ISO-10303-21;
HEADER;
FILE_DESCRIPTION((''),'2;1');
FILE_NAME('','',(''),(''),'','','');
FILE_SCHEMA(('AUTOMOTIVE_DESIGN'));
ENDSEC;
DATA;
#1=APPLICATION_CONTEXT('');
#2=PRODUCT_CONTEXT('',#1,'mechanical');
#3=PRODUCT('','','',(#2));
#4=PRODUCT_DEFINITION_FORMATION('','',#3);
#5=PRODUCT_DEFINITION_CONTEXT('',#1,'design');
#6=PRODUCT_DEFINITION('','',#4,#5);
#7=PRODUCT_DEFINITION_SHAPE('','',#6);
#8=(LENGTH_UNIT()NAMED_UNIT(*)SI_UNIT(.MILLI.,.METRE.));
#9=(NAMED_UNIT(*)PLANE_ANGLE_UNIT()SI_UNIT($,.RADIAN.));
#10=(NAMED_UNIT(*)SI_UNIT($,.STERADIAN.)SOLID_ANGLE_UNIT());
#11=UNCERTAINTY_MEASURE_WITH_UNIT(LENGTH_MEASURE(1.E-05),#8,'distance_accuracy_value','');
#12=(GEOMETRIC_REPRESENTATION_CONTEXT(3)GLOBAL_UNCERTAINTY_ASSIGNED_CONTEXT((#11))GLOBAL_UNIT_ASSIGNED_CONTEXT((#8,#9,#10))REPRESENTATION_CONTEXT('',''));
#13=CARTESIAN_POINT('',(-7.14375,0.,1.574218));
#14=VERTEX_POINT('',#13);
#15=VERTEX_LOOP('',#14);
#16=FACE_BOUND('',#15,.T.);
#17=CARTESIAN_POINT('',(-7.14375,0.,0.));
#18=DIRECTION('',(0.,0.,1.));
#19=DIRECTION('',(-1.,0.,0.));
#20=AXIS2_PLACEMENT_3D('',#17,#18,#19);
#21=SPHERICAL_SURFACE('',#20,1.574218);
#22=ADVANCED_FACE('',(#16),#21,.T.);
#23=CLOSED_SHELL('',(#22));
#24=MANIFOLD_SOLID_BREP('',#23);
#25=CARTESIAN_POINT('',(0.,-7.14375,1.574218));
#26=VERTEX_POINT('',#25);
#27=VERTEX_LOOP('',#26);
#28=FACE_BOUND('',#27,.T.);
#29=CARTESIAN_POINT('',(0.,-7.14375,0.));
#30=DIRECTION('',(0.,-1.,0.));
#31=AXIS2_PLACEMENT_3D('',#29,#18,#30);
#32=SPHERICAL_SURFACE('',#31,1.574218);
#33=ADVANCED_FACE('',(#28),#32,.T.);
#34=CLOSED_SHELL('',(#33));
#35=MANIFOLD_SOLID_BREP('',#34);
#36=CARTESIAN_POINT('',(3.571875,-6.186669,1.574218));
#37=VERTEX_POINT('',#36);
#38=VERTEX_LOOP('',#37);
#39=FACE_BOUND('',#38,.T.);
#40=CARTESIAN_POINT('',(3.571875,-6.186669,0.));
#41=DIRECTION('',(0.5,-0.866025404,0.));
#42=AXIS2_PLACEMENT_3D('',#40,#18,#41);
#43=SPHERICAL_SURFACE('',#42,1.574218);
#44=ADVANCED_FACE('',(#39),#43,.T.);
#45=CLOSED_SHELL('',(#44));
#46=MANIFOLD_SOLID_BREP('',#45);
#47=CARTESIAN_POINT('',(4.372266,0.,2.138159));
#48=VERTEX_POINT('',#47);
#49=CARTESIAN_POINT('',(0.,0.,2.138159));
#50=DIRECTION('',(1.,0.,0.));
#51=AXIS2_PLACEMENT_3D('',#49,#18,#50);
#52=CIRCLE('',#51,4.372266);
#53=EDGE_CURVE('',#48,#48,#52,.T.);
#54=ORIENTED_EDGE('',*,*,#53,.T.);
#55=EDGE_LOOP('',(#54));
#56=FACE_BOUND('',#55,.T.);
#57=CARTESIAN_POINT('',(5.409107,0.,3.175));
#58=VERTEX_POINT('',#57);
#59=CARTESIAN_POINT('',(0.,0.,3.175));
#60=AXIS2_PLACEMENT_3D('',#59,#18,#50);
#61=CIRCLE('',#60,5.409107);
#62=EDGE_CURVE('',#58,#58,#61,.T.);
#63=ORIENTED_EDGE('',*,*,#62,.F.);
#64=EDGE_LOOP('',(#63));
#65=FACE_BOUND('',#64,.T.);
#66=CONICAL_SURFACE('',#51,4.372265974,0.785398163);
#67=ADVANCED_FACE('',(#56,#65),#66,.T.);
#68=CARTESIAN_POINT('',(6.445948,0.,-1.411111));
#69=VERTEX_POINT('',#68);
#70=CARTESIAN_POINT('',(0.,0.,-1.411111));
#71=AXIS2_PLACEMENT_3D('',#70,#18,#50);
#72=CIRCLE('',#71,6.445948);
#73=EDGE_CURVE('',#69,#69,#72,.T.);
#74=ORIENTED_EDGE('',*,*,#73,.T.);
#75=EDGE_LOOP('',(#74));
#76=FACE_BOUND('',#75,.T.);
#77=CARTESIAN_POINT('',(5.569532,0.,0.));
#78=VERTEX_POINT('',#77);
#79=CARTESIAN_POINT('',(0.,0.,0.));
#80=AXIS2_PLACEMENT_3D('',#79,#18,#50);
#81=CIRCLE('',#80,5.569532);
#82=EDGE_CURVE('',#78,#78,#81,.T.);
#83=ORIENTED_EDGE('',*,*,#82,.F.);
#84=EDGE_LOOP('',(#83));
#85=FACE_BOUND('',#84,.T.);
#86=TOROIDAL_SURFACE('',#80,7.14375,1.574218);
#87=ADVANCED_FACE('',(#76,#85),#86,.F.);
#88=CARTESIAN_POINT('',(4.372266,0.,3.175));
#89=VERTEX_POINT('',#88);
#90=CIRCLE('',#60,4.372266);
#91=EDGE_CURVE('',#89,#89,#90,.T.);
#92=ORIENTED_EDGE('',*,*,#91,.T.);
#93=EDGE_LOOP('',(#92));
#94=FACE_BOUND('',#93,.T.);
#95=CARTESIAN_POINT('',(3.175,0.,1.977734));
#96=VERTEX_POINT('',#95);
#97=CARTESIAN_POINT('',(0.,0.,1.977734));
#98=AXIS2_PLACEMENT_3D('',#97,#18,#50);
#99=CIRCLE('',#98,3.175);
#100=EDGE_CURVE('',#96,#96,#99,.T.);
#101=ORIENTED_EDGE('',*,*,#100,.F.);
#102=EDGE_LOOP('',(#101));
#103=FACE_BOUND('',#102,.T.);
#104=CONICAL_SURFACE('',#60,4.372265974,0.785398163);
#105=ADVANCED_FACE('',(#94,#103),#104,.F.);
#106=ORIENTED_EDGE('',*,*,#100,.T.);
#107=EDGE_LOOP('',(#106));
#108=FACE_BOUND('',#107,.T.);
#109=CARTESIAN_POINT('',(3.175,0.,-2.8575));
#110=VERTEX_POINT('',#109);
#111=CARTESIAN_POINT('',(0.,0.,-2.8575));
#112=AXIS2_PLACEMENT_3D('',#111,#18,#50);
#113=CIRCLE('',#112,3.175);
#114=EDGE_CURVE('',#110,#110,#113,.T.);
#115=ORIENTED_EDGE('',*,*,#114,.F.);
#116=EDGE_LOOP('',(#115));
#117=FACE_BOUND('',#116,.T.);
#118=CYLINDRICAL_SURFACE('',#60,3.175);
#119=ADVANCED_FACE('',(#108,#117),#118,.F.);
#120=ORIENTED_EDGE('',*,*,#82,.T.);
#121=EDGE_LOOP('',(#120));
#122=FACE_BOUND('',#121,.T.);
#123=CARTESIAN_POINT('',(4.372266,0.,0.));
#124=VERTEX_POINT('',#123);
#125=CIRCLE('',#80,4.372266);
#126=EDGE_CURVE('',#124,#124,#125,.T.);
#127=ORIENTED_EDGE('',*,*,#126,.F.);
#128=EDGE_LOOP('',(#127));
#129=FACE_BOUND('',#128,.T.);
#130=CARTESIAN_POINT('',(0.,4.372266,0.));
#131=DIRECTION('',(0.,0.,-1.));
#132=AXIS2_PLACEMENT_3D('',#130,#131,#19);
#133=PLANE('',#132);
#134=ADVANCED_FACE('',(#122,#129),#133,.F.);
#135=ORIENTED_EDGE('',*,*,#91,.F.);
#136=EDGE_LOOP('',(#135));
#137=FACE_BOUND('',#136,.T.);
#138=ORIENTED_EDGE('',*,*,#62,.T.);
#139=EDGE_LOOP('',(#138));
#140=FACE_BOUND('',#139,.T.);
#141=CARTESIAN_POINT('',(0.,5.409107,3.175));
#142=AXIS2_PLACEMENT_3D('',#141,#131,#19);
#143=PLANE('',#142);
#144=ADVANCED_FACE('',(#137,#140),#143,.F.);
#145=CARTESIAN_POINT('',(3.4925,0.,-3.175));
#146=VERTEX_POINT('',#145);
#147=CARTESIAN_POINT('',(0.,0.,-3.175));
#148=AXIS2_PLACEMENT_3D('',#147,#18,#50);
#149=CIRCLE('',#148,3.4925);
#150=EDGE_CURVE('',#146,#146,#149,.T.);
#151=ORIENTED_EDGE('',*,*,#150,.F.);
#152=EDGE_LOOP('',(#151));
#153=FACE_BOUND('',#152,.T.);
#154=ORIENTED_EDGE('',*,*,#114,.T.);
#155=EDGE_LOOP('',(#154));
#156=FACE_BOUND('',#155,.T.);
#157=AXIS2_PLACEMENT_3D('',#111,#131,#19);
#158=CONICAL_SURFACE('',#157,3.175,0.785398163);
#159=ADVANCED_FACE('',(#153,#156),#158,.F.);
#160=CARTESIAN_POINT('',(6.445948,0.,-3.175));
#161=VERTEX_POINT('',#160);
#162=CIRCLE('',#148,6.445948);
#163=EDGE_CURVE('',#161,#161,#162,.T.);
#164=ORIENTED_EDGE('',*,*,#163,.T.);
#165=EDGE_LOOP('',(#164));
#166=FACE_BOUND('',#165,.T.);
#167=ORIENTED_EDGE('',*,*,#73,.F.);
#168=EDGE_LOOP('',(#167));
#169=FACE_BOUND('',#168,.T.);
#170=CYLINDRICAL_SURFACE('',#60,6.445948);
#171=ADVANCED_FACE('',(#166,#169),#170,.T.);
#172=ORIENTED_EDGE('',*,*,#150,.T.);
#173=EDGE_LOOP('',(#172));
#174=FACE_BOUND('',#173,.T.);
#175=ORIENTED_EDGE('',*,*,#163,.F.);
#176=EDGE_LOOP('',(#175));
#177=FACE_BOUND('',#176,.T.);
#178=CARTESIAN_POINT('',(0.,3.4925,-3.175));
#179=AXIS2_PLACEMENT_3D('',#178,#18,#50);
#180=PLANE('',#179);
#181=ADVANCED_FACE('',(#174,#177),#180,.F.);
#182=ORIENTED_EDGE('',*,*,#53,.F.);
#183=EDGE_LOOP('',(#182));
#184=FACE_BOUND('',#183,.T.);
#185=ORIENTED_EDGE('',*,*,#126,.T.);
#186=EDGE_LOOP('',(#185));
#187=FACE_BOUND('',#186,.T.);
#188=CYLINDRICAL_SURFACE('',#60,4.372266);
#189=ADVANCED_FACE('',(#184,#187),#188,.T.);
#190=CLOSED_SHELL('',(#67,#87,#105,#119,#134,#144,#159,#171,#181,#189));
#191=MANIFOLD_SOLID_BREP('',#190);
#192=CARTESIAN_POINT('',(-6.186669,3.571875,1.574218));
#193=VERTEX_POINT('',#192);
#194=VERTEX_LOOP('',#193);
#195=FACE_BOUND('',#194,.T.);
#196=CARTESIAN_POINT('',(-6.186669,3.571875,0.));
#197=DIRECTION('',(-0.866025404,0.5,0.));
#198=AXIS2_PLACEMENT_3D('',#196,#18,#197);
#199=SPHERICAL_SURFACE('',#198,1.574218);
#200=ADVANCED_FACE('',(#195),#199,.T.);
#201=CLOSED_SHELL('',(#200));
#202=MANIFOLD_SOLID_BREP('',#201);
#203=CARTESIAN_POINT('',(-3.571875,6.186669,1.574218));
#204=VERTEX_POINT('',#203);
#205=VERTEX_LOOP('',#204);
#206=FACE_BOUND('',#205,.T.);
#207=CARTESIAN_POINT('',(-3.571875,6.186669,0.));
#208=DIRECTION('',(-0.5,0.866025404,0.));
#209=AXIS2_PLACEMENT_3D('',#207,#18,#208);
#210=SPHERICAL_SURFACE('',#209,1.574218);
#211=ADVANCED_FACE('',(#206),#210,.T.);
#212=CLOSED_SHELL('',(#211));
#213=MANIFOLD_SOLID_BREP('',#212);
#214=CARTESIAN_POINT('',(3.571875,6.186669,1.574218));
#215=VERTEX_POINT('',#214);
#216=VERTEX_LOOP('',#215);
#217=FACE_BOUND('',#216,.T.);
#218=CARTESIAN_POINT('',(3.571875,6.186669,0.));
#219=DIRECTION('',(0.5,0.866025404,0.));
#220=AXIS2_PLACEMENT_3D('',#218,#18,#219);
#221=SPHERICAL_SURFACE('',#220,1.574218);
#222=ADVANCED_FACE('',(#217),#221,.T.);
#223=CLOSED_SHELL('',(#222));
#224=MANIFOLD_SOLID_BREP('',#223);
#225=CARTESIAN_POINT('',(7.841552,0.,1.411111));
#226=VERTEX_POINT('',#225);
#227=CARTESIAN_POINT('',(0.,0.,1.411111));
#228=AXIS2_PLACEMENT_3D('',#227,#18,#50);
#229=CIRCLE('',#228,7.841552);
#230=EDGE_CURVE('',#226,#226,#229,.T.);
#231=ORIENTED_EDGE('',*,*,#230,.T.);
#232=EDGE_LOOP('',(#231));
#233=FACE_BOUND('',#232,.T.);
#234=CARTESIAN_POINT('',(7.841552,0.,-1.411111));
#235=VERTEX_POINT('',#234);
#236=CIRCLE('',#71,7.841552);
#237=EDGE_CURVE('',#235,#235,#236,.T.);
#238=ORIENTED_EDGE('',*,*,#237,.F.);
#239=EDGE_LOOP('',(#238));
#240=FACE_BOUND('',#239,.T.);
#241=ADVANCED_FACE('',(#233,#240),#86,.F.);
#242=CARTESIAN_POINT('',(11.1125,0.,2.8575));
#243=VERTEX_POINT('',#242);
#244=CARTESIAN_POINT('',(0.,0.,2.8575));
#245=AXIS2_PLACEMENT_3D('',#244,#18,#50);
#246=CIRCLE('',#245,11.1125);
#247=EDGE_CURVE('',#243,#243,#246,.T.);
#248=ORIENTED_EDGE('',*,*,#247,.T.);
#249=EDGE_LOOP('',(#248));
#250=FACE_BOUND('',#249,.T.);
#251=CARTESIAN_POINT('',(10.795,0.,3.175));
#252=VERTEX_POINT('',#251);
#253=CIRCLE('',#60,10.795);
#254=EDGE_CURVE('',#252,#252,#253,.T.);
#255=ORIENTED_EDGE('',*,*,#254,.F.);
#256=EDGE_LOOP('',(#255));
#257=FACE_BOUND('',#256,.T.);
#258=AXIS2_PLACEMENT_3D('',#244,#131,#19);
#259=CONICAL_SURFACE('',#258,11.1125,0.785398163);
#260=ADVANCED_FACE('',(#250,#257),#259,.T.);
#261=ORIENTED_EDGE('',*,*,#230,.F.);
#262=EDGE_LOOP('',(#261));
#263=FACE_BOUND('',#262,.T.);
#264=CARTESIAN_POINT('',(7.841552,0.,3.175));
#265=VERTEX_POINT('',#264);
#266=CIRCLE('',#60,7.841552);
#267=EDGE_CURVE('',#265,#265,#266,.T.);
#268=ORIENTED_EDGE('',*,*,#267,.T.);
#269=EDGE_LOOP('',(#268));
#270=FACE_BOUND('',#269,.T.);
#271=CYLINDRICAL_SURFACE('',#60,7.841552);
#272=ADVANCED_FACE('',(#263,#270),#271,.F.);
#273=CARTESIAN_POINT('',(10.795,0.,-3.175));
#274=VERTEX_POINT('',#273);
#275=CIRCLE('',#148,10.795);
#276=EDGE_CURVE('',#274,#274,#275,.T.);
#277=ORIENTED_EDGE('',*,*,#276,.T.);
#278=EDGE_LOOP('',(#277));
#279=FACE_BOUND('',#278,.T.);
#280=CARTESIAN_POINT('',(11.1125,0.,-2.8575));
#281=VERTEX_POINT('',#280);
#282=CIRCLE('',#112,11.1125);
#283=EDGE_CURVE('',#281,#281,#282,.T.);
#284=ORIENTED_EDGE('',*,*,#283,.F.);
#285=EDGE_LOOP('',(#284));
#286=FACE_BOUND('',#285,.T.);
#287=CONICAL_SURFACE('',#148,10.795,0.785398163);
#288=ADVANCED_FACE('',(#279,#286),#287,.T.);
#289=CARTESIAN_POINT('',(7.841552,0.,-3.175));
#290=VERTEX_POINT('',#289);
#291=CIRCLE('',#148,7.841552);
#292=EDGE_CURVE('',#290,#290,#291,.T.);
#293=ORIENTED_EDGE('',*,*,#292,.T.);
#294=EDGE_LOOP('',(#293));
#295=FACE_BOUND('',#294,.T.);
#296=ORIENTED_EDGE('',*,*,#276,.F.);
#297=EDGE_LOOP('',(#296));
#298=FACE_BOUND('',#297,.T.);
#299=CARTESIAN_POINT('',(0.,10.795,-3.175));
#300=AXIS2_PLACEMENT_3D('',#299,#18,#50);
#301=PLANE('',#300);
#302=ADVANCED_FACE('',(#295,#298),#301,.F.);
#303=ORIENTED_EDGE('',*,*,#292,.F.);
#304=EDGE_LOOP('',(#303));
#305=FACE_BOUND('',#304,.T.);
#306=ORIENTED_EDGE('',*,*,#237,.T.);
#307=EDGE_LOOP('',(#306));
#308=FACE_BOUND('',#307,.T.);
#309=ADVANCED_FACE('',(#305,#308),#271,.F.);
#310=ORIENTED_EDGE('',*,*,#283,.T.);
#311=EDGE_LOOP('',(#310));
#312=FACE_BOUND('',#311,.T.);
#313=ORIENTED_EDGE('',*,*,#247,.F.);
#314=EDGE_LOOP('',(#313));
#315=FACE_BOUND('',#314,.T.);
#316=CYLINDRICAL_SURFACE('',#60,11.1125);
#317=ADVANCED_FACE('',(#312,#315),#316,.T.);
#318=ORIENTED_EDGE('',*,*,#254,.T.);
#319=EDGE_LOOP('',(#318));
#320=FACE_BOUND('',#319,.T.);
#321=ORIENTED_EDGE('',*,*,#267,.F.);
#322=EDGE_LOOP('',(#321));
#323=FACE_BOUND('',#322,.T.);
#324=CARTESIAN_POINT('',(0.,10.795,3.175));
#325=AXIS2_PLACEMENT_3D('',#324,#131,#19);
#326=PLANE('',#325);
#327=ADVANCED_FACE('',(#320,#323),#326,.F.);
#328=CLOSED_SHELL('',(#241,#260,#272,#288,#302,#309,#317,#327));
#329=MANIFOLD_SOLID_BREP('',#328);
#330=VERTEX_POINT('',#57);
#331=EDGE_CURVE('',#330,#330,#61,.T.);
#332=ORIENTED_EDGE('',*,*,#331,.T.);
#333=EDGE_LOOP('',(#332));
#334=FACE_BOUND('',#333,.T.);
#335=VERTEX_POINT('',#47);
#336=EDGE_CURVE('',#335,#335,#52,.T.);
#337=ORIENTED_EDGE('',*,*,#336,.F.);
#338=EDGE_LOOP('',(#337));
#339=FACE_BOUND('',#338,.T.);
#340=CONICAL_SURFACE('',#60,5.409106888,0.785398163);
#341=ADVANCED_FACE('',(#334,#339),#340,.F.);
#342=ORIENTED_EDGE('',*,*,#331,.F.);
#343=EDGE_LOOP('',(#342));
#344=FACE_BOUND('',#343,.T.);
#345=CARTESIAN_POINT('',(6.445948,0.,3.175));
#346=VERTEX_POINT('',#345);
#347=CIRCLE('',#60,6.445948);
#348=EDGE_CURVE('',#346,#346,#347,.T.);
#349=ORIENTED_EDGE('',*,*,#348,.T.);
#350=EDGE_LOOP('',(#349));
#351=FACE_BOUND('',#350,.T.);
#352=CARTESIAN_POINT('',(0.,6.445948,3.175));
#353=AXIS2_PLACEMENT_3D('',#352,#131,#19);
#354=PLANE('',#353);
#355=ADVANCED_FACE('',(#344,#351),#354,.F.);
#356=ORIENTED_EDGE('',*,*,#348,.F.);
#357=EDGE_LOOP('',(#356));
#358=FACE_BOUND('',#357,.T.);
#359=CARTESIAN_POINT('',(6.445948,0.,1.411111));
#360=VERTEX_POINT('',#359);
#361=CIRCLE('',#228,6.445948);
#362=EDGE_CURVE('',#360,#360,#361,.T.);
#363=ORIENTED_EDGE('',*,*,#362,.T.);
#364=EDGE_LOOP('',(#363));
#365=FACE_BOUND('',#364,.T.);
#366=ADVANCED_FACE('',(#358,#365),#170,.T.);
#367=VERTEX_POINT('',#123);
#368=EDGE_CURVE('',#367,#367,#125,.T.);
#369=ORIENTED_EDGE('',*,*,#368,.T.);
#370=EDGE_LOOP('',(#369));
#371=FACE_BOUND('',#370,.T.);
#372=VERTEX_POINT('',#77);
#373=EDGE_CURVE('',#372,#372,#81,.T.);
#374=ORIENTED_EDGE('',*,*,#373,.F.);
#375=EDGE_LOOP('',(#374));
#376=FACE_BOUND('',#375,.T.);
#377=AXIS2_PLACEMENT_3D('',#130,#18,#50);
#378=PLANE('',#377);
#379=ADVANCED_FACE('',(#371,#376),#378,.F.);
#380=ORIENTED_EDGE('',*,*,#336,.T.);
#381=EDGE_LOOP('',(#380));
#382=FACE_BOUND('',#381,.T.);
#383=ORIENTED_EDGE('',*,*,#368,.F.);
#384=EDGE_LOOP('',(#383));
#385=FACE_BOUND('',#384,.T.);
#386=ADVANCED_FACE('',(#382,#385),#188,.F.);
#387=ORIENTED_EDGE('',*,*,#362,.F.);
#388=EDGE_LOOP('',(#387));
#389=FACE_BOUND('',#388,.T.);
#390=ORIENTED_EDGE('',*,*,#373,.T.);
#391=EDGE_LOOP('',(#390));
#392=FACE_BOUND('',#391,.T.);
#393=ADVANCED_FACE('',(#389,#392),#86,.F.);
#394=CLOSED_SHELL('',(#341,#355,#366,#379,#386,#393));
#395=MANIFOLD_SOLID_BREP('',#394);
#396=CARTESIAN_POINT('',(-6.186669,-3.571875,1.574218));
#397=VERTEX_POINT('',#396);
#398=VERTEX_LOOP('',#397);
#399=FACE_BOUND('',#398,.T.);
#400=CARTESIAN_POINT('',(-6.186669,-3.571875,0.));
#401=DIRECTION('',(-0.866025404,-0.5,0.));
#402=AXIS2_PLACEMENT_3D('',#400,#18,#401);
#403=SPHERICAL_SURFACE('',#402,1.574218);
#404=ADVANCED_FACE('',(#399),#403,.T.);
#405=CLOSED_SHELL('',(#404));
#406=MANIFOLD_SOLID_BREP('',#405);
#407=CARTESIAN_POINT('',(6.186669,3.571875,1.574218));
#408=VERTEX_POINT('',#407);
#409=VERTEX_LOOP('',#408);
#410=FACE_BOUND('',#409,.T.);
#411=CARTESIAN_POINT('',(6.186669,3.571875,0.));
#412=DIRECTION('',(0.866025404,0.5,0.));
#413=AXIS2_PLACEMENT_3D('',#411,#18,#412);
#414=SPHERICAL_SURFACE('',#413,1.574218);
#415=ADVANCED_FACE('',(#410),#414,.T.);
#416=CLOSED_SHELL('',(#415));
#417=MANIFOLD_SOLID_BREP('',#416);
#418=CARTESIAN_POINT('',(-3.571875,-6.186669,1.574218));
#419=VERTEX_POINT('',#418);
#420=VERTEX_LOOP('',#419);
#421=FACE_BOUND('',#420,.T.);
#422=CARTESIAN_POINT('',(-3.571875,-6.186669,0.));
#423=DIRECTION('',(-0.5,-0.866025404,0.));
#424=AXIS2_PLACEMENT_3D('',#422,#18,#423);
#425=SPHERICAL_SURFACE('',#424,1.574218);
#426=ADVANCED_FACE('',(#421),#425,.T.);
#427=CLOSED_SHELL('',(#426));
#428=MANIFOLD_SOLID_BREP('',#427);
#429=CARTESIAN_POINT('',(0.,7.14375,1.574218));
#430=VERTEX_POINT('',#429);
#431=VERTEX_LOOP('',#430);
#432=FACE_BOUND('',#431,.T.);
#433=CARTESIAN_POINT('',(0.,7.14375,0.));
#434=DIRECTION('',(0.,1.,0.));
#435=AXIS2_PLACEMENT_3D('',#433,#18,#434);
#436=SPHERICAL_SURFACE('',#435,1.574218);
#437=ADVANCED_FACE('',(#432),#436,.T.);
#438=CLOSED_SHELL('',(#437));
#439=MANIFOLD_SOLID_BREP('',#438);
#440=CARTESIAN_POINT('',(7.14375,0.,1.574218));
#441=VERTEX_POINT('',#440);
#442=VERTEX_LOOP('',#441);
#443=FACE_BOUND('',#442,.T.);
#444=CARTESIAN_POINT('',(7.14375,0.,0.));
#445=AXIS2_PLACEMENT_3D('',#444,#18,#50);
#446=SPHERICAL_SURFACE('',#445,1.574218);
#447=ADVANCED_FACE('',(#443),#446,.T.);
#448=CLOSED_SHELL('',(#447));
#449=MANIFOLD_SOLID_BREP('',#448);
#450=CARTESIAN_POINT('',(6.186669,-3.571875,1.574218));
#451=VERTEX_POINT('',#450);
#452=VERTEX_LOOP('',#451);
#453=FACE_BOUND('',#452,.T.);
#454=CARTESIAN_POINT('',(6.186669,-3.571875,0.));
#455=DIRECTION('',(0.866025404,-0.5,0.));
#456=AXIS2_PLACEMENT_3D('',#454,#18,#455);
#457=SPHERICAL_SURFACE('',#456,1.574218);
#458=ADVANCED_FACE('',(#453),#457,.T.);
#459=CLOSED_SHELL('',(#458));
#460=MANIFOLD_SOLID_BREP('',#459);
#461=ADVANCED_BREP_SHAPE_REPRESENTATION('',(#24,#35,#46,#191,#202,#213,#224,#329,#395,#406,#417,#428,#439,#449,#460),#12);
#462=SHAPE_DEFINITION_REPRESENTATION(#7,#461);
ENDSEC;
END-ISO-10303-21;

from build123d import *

# Parameters (mm, degrees)
CIRPATTERN1_COUNT = 12


with BuildPart() as part:
    # Sketch1 → Revolve1 (revolve)
    with BuildSketch(Plane(origin=(0, 0, 0), x_dir=(0, 0, -1), z_dir=(1, 0, 0)), mode=Mode.PRIVATE) as revolve1_sk:
        with BuildLine():
            Line((2.8575, 11.1125), (-2.8575, 11.1125))
            Line((-2.8575, 11.1125), (-3.175, 10.795))
            Line((-3.175, 10.795), (-3.175, 7.841552198))
            Line((-3.175, 7.841552198), (-1.411111111, 7.841552198))
            ThreePointArc((-1.411111111, 7.841552198), (0, 8.717968052), (1.411111111, 7.841552198))
            Line((1.411111111, 7.841552198), (3.175, 7.841552198))
            Line((3.175, 7.841552198), (3.175, 10.795))
            Line((3.175, 10.795), (2.8575, 11.1125))
        make_face()
    revolve(revolve1_sk.sketch.rotate(Axis((0, 0, 3.175), (0, 0, -1)), 90), axis=Axis((0, 0, 3.175), (0, 0, -1)))


with BuildPart() as body_2:
    # Sketch2 → Revolve2 (revolve)
    with BuildSketch(Plane(origin=(0, 0, 0), x_dir=(0, 0, -1), z_dir=(1, 0, 0)), mode=Mode.PRIVATE) as revolve2_sk:
        with BuildLine():
            Line((-3.175, 6.445947802), (-1.411111111, 6.445947802))
            ThreePointArc((-1.411111111, 6.445947802), (-0.830562959, 5.806466318), (0, 5.569531948))
            Line((0, 5.569531948), (0, 4.372265974))
            Line((0, 4.372265974), (-2.138159086, 4.372265974))
            Line((-2.138159086, 4.372265974), (-3.175, 5.409106888))
            Line((-3.175, 5.409106888), (-3.175, 6.445947802))
        make_face()
    revolve(revolve2_sk.sketch.rotate(Axis((0, 0, 3.175), (0, 0, -1)), 90), axis=Axis((0, 0, 3.175), (0, 0, -1)))


with BuildPart() as body_3:
    # Sketch3 → Revolve3 (revolve)
    with BuildSketch(Plane(origin=(0, 0, 0), x_dir=(0, 0, -1), z_dir=(1, 0, 0)), mode=Mode.PRIVATE) as revolve3_sk:
        with BuildLine():
            Line((-3.175, 5.409106888), (-2.138159086, 4.372265974))
            Line((-2.138159086, 4.372265974), (0, 4.372265974))
            Line((0, 4.372265974), (0, 5.569531948))
            ThreePointArc((0, 5.569531948), (0.830562959, 5.806466318), (1.411111111, 6.445947802))
            Line((1.411111111, 6.445947802), (3.175, 6.445947802))
            Line((3.175, 6.445947802), (3.175, 3.4925))
            Line((3.175, 3.4925), (2.8575, 3.175))
            Line((2.8575, 3.175), (-1.977734026, 3.175))
            Line((-1.977734026, 3.175), (-3.175, 4.372265974))
            Line((-3.175, 4.372265974), (-3.175, 5.409106888))
        make_face()
    revolve(revolve3_sk.sketch.rotate(Axis((0, 0, 3.175), (0, 0, -1)), 90), axis=Axis((0, 0, 3.175), (0, 0, -1)))


with BuildPart() as body_4:
    # Sketch4 → Revolve4 (revolve)
    with BuildSketch(Plane(origin=(0, 0, 0), x_dir=(0, 0, -1), z_dir=(1, 0, 0))):
        with BuildLine():
            Line((-1.574218052, 7.14375), (1.574218052, 7.14375))
            ThreePointArc((1.574218052, 7.14375), (0, 8.717968052), (-1.574218052, 7.14375))
        make_face()
    revolve(axis=Axis((0, 7.14375, 1.574218052), (0, 0, -1)))


with BuildPart() as cirpattern1_1:
    # CirPattern1: pattern copy
    add(body_4.part.rotate(Axis((0, 0, 0), (0, 0, 1)), 1 * 360 / CIRPATTERN1_COUNT))


with BuildPart() as cirpattern1_2:
    # CirPattern1: pattern copy
    add(body_4.part.rotate(Axis((0, 0, 0), (0, 0, 1)), 2 * 360 / CIRPATTERN1_COUNT))


with BuildPart() as cirpattern1_3:
    # CirPattern1: pattern copy
    add(body_4.part.rotate(Axis((0, 0, 0), (0, 0, 1)), 3 * 360 / CIRPATTERN1_COUNT))


with BuildPart() as cirpattern1_4:
    # CirPattern1: pattern copy
    add(body_4.part.rotate(Axis((0, 0, 0), (0, 0, 1)), 4 * 360 / CIRPATTERN1_COUNT))


with BuildPart() as cirpattern1_5:
    # CirPattern1: pattern copy
    add(body_4.part.rotate(Axis((0, 0, 0), (0, 0, 1)), 5 * 360 / CIRPATTERN1_COUNT))


with BuildPart() as cirpattern1_6:
    # CirPattern1: pattern copy
    add(body_4.part.rotate(Axis((0, 0, 0), (0, 0, 1)), 6 * 360 / CIRPATTERN1_COUNT))


with BuildPart() as cirpattern1_7:
    # CirPattern1: pattern copy
    add(body_4.part.rotate(Axis((0, 0, 0), (0, 0, 1)), 7 * 360 / CIRPATTERN1_COUNT))


with BuildPart() as cirpattern1_8:
    # CirPattern1: pattern copy
    add(body_4.part.rotate(Axis((0, 0, 0), (0, 0, 1)), 8 * 360 / CIRPATTERN1_COUNT))


with BuildPart() as cirpattern1_9:
    # CirPattern1: pattern copy
    add(body_4.part.rotate(Axis((0, 0, 0), (0, 0, 1)), 9 * 360 / CIRPATTERN1_COUNT))


with BuildPart() as cirpattern1_10:
    # CirPattern1: pattern copy
    add(body_4.part.rotate(Axis((0, 0, 0), (0, 0, 1)), 10 * 360 / CIRPATTERN1_COUNT))


with BuildPart() as cirpattern1_11:
    # CirPattern1: pattern copy
    add(body_4.part.rotate(Axis((0, 0, 0), (0, 0, 1)), 11 * 360 / CIRPATTERN1_COUNT))


solid = Compound([part.part, body_2.part, body_3.part, body_4.part, cirpattern1_1.part, cirpattern1_2.part, cirpattern1_3.part, cirpattern1_4.part, cirpattern1_5.part, cirpattern1_6.part, cirpattern1_7.part, cirpattern1_8.part, cirpattern1_9.part, cirpattern1_10.part, cirpattern1_11.part])
